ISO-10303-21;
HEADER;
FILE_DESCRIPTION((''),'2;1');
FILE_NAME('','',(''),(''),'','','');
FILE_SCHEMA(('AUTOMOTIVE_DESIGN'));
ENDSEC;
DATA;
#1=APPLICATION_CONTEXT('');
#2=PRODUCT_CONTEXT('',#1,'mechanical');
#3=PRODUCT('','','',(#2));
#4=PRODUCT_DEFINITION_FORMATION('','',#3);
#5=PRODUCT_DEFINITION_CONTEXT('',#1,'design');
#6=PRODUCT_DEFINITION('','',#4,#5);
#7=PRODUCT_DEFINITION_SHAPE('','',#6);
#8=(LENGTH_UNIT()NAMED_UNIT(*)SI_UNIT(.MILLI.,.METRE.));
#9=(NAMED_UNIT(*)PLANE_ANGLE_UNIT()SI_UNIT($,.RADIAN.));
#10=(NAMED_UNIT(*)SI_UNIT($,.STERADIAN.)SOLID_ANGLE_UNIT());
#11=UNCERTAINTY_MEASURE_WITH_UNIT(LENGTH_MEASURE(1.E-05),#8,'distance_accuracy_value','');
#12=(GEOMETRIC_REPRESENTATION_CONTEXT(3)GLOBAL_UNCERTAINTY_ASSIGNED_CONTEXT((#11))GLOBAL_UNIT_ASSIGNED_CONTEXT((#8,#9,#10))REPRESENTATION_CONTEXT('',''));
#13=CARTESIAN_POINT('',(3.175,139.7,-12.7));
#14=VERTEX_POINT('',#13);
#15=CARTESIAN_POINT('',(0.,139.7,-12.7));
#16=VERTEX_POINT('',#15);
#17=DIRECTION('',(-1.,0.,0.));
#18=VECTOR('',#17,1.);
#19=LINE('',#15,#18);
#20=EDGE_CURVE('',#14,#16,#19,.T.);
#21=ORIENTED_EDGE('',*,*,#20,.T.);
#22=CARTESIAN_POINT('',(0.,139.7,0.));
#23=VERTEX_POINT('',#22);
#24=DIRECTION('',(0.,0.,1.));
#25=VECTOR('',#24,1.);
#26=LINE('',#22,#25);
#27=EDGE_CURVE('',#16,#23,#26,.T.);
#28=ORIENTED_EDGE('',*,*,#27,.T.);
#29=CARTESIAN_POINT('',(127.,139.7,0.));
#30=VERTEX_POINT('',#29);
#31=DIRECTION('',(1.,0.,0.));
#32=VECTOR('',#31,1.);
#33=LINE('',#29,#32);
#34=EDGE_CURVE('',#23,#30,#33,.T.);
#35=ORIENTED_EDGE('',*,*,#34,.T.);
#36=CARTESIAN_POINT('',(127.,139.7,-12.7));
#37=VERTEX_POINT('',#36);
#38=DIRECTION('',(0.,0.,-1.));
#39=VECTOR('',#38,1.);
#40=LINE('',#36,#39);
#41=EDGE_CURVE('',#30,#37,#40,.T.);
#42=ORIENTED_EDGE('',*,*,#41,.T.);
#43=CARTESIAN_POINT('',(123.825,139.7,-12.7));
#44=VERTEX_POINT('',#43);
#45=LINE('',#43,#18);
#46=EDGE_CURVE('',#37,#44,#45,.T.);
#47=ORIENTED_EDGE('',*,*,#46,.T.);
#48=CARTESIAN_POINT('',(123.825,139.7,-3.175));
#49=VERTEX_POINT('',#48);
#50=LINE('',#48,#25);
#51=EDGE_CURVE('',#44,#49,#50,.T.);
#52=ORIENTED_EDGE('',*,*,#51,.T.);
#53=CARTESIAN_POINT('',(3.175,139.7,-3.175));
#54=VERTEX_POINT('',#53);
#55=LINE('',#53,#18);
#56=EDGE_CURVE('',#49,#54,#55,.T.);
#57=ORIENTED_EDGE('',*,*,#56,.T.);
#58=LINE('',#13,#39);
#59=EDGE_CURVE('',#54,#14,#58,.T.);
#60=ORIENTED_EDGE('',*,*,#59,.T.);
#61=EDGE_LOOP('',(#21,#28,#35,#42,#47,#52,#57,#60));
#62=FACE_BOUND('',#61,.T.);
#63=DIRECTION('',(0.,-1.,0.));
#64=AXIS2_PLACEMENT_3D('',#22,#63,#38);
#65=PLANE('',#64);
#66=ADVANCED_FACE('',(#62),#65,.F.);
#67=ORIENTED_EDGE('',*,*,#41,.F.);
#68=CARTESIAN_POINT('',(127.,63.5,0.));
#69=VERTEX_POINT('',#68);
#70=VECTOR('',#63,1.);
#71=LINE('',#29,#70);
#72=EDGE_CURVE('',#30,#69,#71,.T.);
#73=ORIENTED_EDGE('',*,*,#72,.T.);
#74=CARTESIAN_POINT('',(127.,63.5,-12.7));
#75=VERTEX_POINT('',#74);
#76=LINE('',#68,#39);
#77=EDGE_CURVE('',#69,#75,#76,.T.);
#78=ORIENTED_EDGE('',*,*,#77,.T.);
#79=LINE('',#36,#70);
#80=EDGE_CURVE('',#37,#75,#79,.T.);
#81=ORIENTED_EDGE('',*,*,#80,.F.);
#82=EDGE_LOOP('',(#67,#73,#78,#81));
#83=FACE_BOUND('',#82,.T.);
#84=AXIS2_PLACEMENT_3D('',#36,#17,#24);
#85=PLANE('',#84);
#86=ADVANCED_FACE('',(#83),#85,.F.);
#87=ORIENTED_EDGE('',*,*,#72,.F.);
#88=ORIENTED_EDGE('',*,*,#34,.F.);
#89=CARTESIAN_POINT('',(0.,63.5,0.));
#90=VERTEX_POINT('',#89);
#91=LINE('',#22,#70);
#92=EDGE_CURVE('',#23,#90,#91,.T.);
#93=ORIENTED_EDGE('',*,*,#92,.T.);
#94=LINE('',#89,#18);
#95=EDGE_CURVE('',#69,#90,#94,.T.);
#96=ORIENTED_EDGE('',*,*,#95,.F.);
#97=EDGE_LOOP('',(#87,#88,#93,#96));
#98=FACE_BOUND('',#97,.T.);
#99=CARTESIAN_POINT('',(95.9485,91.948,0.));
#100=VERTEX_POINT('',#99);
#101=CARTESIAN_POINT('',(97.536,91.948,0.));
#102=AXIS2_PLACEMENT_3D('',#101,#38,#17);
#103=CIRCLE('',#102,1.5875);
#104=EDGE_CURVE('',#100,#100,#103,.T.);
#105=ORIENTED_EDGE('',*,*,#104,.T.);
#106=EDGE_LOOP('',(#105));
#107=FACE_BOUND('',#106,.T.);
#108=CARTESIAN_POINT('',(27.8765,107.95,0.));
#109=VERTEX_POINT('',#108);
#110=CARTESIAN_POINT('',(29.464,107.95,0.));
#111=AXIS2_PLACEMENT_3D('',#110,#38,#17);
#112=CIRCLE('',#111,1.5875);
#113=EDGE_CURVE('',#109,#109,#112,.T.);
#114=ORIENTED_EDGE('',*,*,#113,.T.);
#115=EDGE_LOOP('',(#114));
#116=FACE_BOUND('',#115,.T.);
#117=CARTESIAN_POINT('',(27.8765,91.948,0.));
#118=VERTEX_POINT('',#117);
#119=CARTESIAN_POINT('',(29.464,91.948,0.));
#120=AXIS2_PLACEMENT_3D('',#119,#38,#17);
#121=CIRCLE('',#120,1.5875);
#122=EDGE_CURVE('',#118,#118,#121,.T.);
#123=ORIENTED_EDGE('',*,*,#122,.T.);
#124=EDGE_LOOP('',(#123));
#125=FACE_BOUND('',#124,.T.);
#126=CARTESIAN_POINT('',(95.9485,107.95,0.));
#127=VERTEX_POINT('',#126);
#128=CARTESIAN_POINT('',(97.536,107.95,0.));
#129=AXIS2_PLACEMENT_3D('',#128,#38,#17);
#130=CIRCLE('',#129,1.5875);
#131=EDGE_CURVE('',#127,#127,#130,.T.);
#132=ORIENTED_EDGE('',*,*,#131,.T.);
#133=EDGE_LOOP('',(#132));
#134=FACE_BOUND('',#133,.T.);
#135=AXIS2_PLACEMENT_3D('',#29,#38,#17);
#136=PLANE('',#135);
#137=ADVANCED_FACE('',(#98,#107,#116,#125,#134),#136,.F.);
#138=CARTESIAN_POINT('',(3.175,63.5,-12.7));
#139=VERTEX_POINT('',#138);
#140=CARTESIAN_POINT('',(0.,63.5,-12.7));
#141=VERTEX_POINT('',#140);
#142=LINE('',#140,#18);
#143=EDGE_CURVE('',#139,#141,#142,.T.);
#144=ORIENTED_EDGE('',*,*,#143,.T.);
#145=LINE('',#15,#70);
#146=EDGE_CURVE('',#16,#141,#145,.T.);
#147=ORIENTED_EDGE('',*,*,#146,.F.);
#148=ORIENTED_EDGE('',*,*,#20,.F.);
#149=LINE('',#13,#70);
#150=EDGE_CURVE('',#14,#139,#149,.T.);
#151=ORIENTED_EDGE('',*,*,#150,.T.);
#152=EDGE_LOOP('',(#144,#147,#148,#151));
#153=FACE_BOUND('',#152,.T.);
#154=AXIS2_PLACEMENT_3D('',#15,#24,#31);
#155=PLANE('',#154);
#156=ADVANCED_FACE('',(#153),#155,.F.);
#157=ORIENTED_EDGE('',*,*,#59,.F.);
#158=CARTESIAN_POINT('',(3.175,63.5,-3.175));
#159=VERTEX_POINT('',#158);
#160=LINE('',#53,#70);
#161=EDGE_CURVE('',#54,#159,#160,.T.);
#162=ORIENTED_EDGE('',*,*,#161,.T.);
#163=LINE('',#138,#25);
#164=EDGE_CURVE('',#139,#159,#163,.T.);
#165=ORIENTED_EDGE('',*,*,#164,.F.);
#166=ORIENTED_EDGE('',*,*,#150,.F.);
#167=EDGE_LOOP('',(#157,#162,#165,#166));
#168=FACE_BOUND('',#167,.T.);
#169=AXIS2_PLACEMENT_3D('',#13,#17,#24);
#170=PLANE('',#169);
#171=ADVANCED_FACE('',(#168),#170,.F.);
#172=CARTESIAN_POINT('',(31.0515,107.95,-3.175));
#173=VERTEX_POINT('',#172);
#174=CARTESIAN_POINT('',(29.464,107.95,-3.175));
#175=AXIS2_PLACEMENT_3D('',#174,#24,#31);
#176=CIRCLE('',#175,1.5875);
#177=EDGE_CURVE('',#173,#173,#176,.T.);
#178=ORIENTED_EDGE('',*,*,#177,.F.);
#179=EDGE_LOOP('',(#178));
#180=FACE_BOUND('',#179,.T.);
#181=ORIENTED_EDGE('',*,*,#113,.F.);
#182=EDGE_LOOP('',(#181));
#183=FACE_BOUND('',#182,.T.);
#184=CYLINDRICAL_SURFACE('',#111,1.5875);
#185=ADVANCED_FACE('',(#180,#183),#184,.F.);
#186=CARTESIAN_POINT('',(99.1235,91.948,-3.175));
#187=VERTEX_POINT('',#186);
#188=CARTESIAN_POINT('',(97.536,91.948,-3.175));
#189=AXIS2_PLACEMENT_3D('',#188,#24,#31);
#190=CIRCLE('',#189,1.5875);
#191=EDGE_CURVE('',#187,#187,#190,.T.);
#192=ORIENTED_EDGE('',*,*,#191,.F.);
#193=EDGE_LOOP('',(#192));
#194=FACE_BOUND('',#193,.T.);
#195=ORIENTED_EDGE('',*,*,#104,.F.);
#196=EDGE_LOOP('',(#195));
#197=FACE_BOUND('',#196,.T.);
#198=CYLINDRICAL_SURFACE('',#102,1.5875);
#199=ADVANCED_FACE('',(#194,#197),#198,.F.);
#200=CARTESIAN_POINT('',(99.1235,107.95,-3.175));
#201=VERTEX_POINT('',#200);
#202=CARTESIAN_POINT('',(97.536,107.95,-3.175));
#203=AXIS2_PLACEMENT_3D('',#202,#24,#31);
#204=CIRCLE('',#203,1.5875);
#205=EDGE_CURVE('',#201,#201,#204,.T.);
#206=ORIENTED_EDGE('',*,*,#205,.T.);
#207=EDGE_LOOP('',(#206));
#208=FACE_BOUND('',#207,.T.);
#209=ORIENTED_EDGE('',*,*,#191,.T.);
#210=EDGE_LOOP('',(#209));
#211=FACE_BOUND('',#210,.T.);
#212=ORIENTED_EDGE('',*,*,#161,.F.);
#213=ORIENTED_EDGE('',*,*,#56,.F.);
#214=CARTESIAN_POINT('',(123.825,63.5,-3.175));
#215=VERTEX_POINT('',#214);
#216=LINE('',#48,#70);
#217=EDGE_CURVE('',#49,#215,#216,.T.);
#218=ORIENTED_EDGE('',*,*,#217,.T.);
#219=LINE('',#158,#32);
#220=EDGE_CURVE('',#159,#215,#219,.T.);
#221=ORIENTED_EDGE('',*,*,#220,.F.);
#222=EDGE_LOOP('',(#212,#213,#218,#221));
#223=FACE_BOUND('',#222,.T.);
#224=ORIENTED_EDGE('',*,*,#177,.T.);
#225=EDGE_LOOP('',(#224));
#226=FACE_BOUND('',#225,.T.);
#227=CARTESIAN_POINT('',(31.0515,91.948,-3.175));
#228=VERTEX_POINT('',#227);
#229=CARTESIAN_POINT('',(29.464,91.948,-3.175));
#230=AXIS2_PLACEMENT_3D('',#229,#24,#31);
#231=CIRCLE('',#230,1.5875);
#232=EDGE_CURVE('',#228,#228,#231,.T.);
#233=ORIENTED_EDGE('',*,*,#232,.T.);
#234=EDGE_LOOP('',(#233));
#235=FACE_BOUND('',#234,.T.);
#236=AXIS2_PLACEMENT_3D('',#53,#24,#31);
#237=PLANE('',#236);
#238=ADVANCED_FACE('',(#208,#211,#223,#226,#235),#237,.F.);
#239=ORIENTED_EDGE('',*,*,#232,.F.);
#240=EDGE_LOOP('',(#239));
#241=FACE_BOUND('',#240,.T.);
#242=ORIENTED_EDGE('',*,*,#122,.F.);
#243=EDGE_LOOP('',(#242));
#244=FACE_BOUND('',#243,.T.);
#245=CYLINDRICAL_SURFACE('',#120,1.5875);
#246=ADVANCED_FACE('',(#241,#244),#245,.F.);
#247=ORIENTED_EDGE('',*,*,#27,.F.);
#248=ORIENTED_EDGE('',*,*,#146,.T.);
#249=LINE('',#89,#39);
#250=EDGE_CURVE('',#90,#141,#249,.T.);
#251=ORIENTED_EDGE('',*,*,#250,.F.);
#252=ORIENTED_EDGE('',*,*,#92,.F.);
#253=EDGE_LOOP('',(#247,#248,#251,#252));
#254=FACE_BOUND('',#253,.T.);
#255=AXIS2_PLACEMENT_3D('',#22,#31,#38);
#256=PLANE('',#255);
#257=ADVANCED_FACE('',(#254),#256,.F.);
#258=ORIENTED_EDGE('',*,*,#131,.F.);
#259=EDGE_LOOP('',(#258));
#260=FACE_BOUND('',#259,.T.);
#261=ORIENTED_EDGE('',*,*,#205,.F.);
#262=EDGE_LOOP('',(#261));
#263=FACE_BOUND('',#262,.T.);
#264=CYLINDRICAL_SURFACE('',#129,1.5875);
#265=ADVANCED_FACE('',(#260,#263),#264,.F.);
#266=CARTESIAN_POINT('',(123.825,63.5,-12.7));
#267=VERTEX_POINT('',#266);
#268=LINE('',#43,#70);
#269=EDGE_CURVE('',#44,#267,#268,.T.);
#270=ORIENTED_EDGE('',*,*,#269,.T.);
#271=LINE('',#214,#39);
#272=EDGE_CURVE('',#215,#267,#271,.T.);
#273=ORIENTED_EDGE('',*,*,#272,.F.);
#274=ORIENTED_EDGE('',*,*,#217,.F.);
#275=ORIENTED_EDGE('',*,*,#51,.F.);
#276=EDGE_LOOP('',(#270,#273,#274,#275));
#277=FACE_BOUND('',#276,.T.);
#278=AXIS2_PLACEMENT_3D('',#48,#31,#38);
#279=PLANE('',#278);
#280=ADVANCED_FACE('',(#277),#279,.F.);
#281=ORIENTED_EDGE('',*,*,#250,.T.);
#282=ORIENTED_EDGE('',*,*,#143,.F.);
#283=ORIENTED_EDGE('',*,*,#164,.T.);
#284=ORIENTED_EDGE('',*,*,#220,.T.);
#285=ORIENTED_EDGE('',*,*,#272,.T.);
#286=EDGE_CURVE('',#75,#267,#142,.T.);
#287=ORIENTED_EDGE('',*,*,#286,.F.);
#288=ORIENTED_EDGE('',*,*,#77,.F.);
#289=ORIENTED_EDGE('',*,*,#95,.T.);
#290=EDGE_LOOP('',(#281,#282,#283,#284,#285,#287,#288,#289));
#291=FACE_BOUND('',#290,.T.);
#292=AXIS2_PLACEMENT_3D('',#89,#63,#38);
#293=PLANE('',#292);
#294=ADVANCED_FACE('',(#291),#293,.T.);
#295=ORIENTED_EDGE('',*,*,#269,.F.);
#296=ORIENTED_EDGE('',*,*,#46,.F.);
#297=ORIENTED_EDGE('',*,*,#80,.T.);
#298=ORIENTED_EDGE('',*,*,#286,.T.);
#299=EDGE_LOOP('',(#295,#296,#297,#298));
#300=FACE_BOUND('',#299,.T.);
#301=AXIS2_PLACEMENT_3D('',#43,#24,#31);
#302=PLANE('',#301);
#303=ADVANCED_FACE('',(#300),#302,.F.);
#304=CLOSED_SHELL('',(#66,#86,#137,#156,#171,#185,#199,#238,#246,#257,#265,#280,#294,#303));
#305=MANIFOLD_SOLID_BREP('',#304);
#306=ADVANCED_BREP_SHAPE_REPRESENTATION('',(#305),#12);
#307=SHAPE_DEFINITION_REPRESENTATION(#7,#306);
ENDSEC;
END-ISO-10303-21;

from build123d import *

# Parameters (mm, degrees)
BOSS_EXTRUDE1_DEPTH     = 139.7
SKETCH3_W               = 127
SKETCH3_H               = 63.5
SKETCH3_R               = 1.5875
CUT_EXTRUDE1_DEPTH      = 10.525
CUT_EXTRUDE1_DEPTH_BACK = 4.175


with BuildPart() as part:
    # Sketch2 → Boss-Extrude1 (new body)
    with BuildSketch(Plane(origin=(0, 0, 0), x_dir=(1, 0, 0), z_dir=(0, 1, 0))):
        Polygon((0, 0), (0, 12.7), (3.175, 12.7), (3.175, 3.175), (123.825, 3.175), (123.825, 12.7), (127, 12.7), (127, 0), align=None)
    extrude(amount=BOSS_EXTRUDE1_DEPTH)

    # Sketch3 → Cut-Extrude1 (cut, two sides)
    with BuildSketch(Plane(origin=(0, 0, -3.175), x_dir=(-1, 0, 0), z_dir=(0, 0, -1))) as cut_extrude1_sk:
        with Locations((-63.5, 31.75)):
            Rectangle(SKETCH3_W, SKETCH3_H)
        with Locations((-97.536, 107.95)):
            Circle(SKETCH3_R)
        with Locations((-29.464, 107.95)):
            Circle(SKETCH3_R)
        with Locations((-29.464, 91.948)):
            Circle(SKETCH3_R)
        with Locations((-97.536, 91.948)):
            Circle(SKETCH3_R)
    extrude(amount=CUT_EXTRUDE1_DEPTH, mode=Mode.SUBTRACT)
    extrude(cut_extrude1_sk.sketch, amount=-CUT_EXTRUDE1_DEPTH_BACK, mode=Mode.SUBTRACT)


solid = part.part
